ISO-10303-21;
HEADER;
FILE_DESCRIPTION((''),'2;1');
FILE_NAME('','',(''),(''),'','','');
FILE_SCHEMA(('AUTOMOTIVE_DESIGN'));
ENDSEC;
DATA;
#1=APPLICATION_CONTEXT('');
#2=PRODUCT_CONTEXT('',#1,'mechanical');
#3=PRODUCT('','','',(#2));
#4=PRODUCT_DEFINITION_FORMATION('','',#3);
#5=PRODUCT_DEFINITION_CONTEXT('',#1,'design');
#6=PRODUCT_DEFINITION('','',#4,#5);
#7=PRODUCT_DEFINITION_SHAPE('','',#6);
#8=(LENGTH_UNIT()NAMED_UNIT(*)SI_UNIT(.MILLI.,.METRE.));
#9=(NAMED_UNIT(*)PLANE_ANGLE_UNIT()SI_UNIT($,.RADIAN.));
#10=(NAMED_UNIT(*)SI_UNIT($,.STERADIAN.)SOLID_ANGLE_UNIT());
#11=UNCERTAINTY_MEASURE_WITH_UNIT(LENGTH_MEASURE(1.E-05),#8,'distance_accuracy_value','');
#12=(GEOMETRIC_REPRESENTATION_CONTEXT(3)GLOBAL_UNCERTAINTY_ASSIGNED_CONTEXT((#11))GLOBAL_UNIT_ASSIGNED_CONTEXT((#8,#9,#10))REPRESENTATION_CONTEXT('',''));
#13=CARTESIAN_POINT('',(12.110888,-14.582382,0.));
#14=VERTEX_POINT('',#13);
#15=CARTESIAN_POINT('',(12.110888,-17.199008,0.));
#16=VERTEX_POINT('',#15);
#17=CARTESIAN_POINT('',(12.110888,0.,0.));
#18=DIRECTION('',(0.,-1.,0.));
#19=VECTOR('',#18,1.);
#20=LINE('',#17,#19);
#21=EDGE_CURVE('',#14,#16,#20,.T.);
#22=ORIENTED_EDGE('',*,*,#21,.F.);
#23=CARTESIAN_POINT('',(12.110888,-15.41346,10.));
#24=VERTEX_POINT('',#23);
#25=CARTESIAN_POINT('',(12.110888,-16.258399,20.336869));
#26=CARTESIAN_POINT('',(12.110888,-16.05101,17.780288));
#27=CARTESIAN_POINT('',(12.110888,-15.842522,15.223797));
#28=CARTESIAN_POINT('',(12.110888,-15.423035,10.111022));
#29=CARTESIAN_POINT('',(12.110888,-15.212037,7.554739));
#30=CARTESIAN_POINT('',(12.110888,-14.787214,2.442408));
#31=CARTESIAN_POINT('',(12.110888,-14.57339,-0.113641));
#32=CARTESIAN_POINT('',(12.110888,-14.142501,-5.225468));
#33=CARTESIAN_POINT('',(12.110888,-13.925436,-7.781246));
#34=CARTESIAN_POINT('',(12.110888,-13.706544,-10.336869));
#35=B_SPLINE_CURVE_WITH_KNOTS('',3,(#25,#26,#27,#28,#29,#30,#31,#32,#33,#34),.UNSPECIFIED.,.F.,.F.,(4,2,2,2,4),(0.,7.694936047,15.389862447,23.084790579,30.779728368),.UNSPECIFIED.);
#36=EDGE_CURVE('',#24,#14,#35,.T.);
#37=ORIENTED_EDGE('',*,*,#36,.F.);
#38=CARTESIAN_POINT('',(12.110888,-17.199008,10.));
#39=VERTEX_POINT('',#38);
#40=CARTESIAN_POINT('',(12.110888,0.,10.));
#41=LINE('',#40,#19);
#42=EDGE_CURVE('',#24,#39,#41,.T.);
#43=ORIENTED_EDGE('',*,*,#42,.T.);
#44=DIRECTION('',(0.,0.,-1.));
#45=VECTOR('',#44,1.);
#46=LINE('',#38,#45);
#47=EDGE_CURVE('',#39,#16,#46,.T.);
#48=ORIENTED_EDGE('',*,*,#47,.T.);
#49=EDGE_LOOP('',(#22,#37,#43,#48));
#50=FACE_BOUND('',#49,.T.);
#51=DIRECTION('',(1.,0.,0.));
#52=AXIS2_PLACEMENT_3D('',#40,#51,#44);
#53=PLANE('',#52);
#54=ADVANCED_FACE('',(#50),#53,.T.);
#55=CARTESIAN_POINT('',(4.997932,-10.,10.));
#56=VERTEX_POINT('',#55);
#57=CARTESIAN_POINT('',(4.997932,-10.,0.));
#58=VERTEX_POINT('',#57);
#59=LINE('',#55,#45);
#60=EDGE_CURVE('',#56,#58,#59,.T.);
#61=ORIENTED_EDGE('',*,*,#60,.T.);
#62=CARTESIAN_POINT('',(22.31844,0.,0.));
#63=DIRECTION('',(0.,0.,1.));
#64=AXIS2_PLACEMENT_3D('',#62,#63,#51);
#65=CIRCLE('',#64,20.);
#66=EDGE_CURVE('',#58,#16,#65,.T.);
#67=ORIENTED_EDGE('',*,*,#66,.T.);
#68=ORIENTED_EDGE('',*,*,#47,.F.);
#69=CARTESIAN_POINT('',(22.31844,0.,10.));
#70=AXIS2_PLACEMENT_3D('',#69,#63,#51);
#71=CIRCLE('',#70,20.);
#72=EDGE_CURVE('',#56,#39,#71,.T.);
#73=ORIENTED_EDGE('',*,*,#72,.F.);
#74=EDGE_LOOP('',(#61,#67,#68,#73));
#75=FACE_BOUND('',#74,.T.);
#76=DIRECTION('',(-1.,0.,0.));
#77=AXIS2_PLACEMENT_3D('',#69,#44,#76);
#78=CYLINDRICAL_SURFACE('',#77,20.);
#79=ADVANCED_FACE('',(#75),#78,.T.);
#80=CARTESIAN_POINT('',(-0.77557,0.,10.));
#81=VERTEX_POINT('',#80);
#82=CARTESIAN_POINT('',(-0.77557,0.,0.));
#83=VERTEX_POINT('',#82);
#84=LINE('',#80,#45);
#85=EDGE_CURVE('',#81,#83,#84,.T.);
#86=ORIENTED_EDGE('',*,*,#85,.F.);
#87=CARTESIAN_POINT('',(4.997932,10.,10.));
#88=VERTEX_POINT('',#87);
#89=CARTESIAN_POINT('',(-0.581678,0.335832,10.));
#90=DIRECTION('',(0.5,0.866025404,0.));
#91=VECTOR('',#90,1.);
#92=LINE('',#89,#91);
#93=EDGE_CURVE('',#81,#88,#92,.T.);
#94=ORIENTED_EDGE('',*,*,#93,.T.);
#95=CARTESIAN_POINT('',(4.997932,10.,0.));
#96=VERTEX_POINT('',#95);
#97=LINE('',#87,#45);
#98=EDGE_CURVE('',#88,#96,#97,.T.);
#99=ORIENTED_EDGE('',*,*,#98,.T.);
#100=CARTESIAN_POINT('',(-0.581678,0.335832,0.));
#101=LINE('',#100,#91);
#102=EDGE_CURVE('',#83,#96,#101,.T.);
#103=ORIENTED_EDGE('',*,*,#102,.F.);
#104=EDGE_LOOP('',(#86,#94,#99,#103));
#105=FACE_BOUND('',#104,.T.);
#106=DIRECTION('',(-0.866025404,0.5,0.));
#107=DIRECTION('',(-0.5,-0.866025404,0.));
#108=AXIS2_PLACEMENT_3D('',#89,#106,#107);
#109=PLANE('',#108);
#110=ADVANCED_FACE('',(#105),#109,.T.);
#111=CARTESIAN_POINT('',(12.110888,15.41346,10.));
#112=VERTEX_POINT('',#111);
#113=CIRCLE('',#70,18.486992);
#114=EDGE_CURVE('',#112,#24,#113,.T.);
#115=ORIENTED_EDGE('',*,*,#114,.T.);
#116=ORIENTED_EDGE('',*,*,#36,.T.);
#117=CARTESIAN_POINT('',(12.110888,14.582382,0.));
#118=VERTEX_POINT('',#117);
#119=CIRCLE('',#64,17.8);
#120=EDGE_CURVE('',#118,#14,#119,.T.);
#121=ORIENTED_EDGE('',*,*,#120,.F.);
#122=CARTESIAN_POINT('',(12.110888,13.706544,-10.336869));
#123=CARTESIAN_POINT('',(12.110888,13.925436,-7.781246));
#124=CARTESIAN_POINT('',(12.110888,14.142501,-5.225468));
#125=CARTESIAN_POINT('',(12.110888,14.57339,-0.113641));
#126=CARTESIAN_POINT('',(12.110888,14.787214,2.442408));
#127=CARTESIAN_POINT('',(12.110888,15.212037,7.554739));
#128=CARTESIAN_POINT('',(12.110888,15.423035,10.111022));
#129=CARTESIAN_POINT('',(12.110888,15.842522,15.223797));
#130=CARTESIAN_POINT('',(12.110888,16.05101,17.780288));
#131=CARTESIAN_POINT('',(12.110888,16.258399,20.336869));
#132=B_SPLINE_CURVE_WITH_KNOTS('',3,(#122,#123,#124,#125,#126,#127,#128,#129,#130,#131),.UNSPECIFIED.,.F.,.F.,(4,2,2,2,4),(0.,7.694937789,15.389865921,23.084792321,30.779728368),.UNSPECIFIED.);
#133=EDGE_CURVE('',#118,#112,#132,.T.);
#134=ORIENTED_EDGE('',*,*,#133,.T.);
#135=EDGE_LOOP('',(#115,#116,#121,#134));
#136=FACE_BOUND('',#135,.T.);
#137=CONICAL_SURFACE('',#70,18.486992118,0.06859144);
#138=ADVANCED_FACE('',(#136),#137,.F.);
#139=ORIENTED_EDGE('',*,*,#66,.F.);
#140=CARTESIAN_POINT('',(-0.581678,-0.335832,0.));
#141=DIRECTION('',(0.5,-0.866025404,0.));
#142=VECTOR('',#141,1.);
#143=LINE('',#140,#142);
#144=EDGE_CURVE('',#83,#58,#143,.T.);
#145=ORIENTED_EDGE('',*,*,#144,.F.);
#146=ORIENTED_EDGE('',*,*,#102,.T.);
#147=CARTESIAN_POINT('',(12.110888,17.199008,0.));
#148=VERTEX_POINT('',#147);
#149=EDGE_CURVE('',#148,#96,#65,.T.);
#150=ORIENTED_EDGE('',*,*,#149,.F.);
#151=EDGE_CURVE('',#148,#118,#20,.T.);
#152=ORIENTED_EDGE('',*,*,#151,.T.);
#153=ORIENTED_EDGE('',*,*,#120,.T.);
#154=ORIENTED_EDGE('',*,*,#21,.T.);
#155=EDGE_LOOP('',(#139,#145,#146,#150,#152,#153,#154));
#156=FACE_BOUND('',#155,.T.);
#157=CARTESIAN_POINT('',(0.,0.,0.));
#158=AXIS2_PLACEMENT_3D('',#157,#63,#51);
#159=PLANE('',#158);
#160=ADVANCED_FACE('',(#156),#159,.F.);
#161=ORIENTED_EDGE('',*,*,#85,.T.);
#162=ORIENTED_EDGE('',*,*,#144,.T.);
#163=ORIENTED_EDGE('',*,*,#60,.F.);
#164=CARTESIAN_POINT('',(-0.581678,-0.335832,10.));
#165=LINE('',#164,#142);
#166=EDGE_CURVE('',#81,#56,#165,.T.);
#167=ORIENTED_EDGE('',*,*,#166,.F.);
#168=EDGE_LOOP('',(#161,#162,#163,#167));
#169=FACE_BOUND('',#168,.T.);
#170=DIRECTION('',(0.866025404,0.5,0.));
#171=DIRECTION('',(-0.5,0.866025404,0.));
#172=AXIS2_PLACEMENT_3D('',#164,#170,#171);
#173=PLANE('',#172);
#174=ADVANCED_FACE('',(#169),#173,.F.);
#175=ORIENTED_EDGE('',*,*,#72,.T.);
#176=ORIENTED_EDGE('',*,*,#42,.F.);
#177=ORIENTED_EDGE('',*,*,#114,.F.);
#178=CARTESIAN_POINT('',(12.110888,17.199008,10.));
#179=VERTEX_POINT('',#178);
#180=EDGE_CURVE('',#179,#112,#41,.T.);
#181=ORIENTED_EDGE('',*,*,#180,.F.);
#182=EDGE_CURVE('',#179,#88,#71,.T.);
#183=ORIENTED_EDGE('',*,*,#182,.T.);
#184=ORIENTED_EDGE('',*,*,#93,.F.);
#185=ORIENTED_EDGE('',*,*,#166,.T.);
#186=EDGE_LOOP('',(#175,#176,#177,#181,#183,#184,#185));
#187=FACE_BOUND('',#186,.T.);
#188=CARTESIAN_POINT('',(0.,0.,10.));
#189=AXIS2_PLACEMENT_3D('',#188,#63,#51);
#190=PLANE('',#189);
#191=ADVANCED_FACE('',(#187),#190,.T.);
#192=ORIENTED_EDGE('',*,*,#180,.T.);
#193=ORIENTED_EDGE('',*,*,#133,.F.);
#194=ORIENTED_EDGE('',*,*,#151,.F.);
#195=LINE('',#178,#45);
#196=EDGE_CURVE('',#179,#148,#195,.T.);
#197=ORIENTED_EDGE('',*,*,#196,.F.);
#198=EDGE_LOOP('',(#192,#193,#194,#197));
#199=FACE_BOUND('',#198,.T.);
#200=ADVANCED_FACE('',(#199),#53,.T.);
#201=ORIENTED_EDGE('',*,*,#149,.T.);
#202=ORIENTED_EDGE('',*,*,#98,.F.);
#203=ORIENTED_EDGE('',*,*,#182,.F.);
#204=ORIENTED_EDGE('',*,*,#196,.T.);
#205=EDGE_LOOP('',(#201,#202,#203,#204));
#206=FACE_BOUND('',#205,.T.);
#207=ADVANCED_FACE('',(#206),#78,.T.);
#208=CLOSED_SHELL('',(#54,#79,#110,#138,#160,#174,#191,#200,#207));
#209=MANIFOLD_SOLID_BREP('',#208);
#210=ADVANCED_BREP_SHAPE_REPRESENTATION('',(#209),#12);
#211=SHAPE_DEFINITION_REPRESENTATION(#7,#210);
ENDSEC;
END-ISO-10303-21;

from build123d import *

# Parameters (mm, degrees)
EXTRUDE_1_DEPTH = 10


with BuildPart() as part:
    # 草图1 → 凸台-拉伸1 (new body)
    with BuildSketch(Plane.XY):
        with BuildLine():
            Line((12.110887706, 14.582382064), (12.110887706, 17.199007723))
            ThreePointArc((12.110887706, 17.199007723), (8.091530741, 14.056850277), (4.997932444, 10.000000095))
            Line((4.997932444, 10.000000095), (-0.775570302, 0))
            Line((-0.775570302, 0), (4.99793245, -10.000000104))
            ThreePointArc((4.99793245, -10.000000104), (8.091530745, -14.056850281), (12.110887706, -17.199007723))
            Line((12.110887706, -17.199007723), (12.110887706, -14.582382064))
            ThreePointArc((12.110887706, -14.582382064), (4.518440465, 0), (12.110887706, 14.582382064))
        make_face()
    extrude(amount=EXTRUDE_1_DEPTH)

    # 草图2 → 切除-旋转1 (revolve, cut)
    with BuildSketch(Plane(origin=(0, 0, 0), x_dir=(0, 0, -1), z_dir=(0, -1, 0))):
        Polygon((0, 22.318440465), (0, 4.518440465), (-10, 3.831448348), (-10, 22.318440465), align=None)
    revolve(axis=Axis((22.318440465, 0, 18.306126046), (0, 0, -1)), mode=Mode.SUBTRACT)


solid = part.part
